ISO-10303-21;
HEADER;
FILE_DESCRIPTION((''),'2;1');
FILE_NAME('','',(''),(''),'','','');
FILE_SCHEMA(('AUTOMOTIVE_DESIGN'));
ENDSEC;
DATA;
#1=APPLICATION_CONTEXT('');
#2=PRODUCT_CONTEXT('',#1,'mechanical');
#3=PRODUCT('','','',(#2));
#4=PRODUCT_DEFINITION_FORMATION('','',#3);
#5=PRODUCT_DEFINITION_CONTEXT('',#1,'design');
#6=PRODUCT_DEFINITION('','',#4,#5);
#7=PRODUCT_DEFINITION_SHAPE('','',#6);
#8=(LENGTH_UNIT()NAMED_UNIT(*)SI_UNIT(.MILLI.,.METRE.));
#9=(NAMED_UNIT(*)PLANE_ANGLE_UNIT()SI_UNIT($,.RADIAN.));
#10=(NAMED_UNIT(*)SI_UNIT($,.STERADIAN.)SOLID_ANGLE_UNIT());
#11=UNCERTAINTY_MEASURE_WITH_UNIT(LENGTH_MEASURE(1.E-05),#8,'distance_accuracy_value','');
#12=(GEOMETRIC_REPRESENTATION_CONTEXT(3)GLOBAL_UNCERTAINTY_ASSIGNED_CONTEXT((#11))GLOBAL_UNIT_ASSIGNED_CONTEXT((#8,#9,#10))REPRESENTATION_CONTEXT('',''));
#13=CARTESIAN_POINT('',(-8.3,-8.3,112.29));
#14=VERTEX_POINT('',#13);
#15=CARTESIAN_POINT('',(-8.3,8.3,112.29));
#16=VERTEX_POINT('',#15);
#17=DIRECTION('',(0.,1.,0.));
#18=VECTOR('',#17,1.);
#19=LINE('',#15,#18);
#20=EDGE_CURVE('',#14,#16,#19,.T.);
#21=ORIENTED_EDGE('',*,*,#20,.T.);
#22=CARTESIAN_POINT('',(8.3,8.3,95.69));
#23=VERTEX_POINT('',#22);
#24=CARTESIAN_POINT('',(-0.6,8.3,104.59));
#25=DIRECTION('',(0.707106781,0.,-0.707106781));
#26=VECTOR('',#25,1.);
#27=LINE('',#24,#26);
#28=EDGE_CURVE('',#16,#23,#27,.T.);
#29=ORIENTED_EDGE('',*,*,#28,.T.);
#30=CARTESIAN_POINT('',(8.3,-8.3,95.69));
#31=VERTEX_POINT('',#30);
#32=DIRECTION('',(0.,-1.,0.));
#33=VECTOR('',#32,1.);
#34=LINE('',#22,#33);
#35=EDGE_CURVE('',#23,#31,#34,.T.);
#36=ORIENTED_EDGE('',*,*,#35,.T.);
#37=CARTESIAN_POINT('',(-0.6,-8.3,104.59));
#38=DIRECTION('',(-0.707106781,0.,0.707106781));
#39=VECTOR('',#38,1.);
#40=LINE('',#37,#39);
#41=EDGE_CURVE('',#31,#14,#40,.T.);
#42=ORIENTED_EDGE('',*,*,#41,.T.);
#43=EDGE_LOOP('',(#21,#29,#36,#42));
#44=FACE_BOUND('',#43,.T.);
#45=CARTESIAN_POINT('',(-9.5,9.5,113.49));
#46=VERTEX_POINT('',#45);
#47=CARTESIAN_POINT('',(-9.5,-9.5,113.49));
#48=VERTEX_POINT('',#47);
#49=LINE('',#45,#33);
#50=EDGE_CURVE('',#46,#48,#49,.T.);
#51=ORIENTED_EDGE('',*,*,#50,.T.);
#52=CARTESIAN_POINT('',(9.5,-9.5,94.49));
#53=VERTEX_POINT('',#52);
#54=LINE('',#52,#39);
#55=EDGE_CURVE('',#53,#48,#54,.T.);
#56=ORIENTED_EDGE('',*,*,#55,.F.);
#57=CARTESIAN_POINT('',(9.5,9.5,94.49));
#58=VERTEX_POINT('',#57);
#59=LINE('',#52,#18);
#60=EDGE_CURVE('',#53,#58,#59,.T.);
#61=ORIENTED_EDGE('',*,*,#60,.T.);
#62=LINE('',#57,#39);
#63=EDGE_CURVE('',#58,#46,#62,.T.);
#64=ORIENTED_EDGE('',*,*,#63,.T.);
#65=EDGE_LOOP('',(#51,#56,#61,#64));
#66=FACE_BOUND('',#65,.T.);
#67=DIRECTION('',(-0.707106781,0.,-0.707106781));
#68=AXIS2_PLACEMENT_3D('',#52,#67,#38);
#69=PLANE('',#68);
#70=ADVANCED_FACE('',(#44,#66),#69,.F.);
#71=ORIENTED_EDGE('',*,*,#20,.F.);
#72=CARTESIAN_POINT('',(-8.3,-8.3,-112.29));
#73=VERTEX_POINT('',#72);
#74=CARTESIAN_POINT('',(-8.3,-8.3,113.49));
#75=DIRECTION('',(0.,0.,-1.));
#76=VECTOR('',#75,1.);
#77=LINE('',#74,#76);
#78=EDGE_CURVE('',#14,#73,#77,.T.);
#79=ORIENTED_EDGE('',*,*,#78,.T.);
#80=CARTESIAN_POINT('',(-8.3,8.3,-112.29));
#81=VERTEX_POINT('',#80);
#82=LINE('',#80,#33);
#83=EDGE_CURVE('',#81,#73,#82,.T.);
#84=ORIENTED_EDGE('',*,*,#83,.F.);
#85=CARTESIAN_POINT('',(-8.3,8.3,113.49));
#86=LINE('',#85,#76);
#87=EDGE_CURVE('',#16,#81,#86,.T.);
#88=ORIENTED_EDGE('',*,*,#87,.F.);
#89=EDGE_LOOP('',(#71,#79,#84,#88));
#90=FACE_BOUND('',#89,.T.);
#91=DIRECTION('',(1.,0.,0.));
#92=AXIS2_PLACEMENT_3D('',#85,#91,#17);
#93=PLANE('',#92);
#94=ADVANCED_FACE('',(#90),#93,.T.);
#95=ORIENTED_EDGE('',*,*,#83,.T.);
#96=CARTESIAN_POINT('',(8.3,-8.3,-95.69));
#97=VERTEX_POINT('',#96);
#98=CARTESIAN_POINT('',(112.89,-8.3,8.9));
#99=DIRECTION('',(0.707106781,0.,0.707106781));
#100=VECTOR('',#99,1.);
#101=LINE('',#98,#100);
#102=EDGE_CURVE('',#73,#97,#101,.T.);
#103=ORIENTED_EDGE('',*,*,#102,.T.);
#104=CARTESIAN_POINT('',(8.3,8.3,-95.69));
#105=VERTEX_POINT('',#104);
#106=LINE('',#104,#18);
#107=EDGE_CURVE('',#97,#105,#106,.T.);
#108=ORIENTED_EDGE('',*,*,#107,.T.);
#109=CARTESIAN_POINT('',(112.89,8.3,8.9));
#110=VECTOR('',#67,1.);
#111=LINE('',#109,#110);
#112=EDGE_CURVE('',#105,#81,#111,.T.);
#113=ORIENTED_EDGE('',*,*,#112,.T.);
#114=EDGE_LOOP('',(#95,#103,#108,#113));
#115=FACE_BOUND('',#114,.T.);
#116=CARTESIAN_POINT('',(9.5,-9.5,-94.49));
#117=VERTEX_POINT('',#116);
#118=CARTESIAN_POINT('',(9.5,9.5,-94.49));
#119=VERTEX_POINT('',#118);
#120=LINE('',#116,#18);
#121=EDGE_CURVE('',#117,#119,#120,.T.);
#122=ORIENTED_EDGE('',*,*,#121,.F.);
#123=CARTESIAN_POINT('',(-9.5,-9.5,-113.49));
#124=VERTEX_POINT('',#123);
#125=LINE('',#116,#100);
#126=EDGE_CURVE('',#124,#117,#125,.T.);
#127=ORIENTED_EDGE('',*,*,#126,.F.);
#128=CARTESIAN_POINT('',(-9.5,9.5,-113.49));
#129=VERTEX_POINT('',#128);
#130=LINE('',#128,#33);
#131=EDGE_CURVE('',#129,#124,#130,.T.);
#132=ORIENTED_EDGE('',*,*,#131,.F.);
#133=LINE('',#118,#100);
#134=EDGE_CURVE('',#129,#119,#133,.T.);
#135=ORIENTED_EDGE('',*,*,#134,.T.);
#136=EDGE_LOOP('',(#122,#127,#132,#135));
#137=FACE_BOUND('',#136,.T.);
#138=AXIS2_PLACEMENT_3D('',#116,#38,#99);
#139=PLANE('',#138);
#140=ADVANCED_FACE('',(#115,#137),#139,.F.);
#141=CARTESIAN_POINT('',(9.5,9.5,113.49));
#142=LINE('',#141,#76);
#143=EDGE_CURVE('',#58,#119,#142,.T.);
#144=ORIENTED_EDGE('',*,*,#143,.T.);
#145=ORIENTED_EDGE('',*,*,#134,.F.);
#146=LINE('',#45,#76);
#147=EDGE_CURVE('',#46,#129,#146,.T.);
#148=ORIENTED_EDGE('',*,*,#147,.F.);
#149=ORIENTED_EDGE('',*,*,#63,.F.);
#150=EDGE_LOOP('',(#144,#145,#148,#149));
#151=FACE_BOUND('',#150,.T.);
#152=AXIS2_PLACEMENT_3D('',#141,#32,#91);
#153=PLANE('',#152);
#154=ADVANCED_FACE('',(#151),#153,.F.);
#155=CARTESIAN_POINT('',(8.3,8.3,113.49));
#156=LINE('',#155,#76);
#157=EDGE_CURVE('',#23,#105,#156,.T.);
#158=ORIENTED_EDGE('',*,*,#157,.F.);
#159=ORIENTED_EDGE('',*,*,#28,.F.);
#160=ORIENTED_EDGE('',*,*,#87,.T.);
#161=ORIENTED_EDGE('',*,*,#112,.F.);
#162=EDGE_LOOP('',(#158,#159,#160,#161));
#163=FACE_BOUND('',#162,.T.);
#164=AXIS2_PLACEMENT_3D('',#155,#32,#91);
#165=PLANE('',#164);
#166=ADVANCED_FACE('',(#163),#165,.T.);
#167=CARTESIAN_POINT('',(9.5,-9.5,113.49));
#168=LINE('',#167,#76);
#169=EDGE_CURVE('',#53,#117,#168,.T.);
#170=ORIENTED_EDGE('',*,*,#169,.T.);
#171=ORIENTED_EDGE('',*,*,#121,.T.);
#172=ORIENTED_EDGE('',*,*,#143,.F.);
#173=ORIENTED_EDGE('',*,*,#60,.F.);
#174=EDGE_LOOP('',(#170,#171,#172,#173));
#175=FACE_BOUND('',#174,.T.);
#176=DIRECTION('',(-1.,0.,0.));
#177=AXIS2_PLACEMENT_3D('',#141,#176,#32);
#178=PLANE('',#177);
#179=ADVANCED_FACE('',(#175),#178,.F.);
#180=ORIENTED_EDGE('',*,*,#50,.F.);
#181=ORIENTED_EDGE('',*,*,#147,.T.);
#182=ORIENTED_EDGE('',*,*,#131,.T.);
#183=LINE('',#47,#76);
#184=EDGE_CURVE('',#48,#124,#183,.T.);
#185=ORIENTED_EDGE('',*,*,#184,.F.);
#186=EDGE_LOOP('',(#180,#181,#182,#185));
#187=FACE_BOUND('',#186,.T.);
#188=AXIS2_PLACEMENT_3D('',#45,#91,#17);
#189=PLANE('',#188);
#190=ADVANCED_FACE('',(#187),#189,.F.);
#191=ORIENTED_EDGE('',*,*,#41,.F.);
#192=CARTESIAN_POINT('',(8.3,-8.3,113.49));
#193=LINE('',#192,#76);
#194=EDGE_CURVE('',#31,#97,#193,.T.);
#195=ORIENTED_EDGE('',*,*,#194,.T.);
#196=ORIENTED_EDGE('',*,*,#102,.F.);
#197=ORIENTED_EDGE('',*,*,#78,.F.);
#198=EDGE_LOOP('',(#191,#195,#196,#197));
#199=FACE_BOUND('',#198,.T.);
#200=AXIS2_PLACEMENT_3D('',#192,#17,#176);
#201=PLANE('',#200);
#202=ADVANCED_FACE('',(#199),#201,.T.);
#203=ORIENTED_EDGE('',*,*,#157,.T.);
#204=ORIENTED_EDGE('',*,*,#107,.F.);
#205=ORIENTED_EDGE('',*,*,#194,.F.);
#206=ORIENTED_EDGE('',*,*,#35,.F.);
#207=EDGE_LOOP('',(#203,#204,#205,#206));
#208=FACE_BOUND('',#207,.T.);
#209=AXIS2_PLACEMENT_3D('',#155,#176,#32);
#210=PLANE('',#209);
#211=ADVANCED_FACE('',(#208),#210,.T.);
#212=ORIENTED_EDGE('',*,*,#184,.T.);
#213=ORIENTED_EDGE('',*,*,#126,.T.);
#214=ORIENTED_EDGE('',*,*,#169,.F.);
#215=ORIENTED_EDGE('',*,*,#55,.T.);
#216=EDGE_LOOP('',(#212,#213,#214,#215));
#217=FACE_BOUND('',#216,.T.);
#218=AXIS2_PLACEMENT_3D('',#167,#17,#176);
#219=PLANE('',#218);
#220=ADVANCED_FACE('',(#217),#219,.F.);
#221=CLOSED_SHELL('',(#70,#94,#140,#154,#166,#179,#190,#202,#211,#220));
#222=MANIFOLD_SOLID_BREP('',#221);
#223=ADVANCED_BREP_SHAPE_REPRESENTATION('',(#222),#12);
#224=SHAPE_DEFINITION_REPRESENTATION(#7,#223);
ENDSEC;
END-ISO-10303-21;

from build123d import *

# Parameters (mm, degrees)
SKETCH1_W           = 19
SKETCH1_H           = 19
SKETCH1_W_2         = 16.6
SKETCH1_H_2         = 16.6
BOSS_EXTRUDE1_DEPTH = 113.49
CUT_EXTRUDE1_DEPTH  = 116.460946211


with BuildPart() as part:
    # Sketch1 → Boss-Extrude1 (new, symmetric)
    with BuildSketch(Plane.XY):
        Rectangle(SKETCH1_W, SKETCH1_H)
        Rectangle(SKETCH1_W_2, SKETCH1_H_2, mode=Mode.SUBTRACT)
    extrude(amount=BOSS_EXTRUDE1_DEPTH, both=True)

    # Sketch2 → Cut-Extrude1 (cut, through all)
    with BuildSketch(Plane(origin=(0, 9.5, 0), x_dir=(1, 0, 0), z_dir=(0, 1, 0))):
        Polygon((-9.5, -113.49), (9.5, -113.49), (9.5, -94.49), align=None)
        Polygon((-9.5, 113.49), (9.5, 113.49), (9.5, 94.49), align=None)
    extrude(amount=-CUT_EXTRUDE1_DEPTH, mode=Mode.SUBTRACT)


solid = part.part
